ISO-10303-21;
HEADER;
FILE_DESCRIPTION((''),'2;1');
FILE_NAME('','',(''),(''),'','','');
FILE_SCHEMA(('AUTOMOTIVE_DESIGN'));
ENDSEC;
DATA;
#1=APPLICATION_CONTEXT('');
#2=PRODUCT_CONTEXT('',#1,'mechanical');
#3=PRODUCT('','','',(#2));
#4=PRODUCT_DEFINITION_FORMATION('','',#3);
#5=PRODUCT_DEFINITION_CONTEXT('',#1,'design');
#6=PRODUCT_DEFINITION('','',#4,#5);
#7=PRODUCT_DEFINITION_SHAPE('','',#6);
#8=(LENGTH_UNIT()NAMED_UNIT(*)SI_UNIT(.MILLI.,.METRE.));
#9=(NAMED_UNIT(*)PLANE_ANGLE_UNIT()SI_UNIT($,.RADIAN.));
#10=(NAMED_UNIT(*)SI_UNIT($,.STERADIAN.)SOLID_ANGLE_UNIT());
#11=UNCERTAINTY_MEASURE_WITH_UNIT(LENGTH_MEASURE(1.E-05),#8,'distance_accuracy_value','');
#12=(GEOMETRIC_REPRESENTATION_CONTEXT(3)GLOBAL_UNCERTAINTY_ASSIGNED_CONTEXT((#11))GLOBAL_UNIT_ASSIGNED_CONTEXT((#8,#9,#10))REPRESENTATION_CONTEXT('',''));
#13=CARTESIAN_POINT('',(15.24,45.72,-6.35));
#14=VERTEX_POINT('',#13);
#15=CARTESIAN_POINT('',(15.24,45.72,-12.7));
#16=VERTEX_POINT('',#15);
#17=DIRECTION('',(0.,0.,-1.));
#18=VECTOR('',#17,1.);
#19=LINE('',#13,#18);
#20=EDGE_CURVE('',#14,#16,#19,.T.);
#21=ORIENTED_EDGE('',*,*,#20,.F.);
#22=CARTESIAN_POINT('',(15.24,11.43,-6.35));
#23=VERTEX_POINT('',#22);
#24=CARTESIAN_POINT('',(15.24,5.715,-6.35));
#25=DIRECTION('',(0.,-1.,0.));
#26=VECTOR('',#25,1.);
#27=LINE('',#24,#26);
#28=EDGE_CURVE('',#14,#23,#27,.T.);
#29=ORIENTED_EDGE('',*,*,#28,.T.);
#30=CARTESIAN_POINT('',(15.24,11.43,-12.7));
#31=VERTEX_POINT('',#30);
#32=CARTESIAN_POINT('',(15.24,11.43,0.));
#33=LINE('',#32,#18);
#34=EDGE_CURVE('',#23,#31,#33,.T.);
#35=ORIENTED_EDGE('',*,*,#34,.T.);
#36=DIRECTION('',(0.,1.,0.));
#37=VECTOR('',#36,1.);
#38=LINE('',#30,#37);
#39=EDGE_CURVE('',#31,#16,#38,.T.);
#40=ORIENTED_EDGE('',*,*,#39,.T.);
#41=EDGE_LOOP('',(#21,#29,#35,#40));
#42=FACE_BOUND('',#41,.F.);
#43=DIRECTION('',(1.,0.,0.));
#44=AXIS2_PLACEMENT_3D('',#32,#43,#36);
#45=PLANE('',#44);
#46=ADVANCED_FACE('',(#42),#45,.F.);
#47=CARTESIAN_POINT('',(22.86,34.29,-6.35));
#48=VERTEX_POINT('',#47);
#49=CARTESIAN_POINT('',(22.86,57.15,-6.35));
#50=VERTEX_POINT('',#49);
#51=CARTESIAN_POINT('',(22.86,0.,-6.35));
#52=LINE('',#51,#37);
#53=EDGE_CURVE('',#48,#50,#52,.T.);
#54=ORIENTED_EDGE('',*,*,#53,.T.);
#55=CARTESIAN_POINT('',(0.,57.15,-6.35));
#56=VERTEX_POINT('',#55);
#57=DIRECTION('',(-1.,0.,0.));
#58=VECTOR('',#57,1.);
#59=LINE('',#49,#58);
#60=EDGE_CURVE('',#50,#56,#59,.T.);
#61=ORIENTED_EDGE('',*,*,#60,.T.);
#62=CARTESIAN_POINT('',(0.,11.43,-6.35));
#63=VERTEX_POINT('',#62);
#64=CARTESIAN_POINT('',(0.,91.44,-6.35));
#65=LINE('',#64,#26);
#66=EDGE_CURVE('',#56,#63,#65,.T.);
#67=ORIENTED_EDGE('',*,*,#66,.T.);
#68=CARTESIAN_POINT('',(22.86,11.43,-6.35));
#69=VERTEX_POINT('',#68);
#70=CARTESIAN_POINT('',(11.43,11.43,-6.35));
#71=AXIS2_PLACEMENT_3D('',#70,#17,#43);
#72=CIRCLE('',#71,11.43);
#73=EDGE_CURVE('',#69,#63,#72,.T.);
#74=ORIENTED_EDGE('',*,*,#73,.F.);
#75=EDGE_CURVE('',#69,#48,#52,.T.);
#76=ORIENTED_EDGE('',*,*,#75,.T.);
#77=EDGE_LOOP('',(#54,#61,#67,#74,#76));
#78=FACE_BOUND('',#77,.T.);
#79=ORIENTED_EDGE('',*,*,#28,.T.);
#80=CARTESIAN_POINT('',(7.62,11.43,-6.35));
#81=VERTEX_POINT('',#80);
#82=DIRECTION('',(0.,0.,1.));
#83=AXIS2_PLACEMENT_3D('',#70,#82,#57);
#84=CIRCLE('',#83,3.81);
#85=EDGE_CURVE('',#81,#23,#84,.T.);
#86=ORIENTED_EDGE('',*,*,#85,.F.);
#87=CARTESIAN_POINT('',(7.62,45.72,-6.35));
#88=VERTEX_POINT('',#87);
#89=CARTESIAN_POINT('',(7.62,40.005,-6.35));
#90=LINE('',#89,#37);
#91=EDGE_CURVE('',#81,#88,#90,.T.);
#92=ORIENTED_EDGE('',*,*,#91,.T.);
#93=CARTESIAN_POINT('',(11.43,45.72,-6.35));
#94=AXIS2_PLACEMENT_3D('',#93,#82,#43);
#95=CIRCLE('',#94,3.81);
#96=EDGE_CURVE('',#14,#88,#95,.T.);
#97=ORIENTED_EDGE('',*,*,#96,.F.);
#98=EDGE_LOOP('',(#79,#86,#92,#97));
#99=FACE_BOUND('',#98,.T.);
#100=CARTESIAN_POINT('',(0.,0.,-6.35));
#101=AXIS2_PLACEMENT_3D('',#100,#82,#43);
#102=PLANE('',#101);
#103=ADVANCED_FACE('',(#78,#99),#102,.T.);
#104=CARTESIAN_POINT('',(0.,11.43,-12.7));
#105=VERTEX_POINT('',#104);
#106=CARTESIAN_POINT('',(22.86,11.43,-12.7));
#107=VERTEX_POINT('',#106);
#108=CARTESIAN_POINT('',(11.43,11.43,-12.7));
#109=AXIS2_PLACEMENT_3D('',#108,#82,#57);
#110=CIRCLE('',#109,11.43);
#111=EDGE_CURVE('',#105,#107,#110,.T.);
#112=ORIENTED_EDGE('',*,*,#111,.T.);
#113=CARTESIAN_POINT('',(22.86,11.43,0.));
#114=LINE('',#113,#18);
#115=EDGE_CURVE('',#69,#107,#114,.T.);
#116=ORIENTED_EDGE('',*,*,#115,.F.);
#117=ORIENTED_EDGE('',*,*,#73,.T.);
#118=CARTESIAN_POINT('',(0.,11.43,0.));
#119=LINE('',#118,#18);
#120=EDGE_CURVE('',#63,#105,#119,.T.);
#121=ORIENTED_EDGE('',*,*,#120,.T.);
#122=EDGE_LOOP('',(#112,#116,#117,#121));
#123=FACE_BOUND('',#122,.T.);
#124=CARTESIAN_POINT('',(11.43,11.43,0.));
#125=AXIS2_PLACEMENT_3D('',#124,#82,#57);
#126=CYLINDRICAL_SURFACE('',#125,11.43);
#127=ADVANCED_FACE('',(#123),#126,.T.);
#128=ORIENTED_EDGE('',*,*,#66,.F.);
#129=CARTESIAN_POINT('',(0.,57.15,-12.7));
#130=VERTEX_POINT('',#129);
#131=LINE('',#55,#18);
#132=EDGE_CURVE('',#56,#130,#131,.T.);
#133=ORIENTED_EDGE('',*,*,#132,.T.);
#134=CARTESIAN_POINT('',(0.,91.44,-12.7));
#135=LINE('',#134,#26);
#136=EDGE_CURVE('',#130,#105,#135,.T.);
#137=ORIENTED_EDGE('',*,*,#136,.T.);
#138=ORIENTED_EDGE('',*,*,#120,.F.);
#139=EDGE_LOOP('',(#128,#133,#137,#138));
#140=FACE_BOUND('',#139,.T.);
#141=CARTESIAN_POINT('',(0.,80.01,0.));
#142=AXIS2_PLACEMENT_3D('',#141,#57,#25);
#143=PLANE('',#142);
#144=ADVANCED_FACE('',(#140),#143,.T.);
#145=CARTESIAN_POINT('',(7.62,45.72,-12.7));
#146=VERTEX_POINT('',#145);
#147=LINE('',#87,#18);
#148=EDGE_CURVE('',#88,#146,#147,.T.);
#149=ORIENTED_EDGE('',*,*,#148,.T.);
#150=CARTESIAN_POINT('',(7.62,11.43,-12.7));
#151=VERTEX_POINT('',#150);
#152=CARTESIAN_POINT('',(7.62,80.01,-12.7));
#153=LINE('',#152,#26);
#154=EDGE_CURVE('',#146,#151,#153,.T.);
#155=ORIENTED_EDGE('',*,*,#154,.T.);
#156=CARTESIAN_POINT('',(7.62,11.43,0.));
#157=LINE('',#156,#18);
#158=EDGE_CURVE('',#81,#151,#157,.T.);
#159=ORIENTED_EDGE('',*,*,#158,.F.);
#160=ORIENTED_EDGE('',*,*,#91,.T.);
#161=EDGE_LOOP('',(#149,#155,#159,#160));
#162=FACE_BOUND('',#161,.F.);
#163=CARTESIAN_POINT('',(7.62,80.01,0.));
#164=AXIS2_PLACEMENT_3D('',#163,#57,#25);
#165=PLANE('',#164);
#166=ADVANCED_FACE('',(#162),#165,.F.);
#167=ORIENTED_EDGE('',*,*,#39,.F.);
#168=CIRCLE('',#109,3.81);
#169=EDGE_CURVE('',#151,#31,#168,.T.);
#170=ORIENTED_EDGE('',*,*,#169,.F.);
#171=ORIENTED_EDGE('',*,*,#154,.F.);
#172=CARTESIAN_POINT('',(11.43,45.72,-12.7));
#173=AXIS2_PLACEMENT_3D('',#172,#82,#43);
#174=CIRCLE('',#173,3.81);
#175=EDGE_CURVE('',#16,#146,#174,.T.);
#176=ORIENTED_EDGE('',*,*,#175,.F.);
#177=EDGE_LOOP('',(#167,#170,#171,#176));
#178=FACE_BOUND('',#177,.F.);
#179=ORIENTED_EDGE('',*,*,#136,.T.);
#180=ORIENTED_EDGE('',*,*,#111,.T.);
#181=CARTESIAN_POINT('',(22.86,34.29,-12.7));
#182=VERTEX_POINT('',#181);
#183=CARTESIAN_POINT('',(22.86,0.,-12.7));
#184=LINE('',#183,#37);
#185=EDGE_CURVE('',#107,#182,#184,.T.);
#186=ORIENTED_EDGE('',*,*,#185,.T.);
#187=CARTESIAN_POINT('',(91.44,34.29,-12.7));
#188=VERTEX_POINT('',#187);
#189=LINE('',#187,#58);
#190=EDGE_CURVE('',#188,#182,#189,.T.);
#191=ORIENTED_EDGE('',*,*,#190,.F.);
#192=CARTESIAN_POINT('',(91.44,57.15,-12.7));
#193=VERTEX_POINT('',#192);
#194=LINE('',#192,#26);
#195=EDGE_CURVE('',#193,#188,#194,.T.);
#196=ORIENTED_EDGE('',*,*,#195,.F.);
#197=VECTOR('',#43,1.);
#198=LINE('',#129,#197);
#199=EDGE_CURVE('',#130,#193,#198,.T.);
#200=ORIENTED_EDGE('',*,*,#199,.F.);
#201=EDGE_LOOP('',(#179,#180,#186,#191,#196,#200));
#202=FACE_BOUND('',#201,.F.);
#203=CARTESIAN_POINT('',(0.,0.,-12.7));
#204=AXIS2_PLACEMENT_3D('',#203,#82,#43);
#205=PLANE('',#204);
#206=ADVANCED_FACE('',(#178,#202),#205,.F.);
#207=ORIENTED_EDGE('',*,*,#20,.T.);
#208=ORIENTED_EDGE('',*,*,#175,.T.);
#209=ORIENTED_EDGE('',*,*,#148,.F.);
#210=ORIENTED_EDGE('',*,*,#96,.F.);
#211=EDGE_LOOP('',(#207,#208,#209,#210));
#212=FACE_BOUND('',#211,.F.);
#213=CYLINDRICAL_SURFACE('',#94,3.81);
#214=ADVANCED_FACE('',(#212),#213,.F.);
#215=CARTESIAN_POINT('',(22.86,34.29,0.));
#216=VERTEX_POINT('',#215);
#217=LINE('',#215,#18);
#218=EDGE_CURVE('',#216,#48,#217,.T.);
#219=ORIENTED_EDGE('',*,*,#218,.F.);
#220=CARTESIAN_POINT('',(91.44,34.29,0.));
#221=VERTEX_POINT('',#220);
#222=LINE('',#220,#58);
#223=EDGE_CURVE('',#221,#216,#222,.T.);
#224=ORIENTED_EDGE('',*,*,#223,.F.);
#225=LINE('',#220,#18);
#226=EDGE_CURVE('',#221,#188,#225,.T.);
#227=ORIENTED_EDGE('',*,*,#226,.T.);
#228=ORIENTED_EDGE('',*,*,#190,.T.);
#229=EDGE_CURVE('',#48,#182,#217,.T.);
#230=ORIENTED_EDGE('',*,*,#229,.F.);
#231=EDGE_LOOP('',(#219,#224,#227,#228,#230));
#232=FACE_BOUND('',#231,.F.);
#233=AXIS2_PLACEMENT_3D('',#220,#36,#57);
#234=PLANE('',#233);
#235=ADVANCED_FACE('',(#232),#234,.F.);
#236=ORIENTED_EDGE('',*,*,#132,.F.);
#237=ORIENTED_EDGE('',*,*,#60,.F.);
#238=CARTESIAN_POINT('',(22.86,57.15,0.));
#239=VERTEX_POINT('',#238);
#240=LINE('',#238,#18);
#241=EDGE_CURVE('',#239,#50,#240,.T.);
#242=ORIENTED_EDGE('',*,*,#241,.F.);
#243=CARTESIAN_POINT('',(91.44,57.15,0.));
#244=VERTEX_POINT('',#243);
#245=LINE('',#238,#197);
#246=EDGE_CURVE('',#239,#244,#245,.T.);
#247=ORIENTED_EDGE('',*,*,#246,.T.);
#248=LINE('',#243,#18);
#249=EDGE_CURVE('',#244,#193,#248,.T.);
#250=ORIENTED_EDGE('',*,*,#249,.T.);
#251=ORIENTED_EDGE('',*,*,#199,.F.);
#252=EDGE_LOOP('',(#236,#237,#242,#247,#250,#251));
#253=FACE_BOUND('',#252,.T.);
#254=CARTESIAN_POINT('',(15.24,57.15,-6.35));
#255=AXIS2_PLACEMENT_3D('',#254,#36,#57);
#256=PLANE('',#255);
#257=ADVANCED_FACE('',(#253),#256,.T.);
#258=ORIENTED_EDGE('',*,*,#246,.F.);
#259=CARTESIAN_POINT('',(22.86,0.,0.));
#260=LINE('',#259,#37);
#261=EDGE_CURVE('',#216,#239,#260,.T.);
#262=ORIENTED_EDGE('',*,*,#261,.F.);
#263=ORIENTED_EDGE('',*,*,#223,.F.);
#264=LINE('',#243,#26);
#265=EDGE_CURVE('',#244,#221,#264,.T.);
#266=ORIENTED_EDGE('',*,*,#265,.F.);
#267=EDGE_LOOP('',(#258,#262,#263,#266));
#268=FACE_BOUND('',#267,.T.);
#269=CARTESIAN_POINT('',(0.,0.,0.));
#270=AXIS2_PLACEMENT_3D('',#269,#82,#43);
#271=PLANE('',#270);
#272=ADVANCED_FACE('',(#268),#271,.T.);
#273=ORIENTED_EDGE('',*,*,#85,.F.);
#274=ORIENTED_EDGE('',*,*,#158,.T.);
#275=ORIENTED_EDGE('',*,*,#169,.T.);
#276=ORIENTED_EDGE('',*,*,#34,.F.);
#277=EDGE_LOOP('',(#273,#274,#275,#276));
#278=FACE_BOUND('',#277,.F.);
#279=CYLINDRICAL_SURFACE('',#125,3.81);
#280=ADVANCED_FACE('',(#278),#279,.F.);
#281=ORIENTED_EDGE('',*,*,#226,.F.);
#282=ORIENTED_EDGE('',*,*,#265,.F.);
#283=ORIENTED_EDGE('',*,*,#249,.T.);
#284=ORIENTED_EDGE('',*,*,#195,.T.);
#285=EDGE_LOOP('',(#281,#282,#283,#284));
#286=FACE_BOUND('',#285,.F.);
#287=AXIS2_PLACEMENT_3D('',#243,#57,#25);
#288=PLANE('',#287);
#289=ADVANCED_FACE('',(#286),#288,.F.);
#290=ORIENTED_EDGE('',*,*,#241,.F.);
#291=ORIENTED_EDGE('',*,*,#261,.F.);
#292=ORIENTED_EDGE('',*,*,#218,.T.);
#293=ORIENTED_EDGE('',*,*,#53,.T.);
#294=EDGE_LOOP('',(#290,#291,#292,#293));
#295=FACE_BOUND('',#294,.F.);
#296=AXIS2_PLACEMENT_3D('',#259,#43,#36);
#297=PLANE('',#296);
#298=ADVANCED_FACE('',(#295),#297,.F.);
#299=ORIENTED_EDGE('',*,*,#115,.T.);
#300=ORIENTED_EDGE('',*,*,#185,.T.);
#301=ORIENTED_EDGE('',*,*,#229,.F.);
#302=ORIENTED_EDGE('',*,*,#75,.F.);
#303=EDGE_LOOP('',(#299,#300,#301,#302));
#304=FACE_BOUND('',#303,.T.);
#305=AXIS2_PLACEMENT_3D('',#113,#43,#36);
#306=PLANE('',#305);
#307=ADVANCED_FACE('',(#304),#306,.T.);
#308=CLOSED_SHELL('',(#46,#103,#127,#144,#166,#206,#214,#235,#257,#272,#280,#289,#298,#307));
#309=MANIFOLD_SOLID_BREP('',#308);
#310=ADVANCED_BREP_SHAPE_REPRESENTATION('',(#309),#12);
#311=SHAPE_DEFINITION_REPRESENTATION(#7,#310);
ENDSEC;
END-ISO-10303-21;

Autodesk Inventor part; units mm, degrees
ref_plane "YZ Plane" through (0, 0, 0) normal (1, 0, 0) x (0, 1, 0)
ref_plane "XZ Plane" through (0, 0, 0) normal (0, 1, 0) x (-1, 0, 0)
ref_plane "XY Plane" through (0, 0, 0) normal (0, 0, 1) x (1, 0, 0)
sketch "Sketch3" plane through (0, 0, 0) normal (0, 0, 1) x (1, 0, 0)
  line L0 (0, 0) -> (22.86, 0)
  line L1 (22.86, 0) -> (22.86, 91.44)
  line L2 (22.86, 91.44) -> (0, 91.44)
  line L3 (0, 91.44) -> (0, 0)
  line L4 (22.86, 57.15) -> (91.44, 57.15)
  line L5 (91.44, 57.15) -> (91.44, 34.29)
  line L6 (91.44, 34.29) -> (22.86, 34.29)
  line L7 (22.86, 34.29) -> (22.86, 57.15)
  line L8 (11.43, 80.01) -> (11.43, 11.43) construction
  line L9 (7.62, 80.01) -> (7.62, 11.43)
  line L10 (15.24, 11.43) -> (15.24, 80.01)
  arc A0 (15.24, 80.01) -> (7.62, 80.01) centre (11.43, 80.01) ccw
  arc A1 (7.62, 11.43) -> (15.24, 11.43) centre (11.43, 11.43) ccw
  arc A2 (22.86, 80.01) -> (0, 80.01) centre (11.43, 80.01) ccw
  arc A3 (0, 11.43) -> (22.86, 11.43) centre (11.43, 11.43) ccw
  point P0 (11.43, 45.72)
  point P1 (22.86, 34.29)
  dimension "d15" = 22.86
  dimension "d16" = 91.44
  dimension "d17" = 68.58
  dimension "d18" = 22.86
  dimension "d19" = 34.29
  dimension "d22" = 68.58
  dimension "d23" = 7.62
  dimension "d24" = 11.43
  dimension "d25" = 11.43
extrude "Extrusion3" add sketch "Sketch3" against normal blind 12.7 contours A3 L3 A2 L1 | L1 L4 L5 L6
sketch "Sketch5" plane through (0, 0, 0) normal (0, 0, 1) x (1, 0, 0)
  line L0 (0, 0) -> (22.86, 0)
  line L1 (22.86, 0) -> (22.86, 91.44)
  line L2 (22.86, 91.44) -> (0, 91.44)
  line L3 (0, 91.44) -> (0, 0)
  arc A0 (22.86, 80.01) -> (0, 80.01) centre (11.43, 80.01) ccw projected
  line L4 (22.86, 57.15) -> (22.86, 80.01) projected
  dimension "d30" = 0
extrude "Extrusion5" cut sketch "Sketch5" against normal blind 6.35 contours L3 A0 L1 L0
sketch "Sketch7" plane through (0, 0, -6.35) normal (0, 0, 1) x (1, 0, 0)
  line L0 (91.44, 57.15) -> (22.86, 57.15) projected
  line L1 (22.86, 57.15) -> (0, 57.15)
  line L2 (0, 57.15) -> (0, 91.44)
  line L3 (0, 91.44) -> (22.86, 91.44)
  line L4 (22.86, 91.44) -> (22.86, 57.15)
  line L5 (0, 11.43) -> (0, 80.01) projected
  arc A0 (22.86, 80.01) -> (0, 80.01) centre (11.43, 80.01) ccw projected
  point P0 (0, 0)
  dimension "d36" = 0
extrude "Extrusion6" cut sketch "Sketch7" against normal blind 88.9 contours L1 L2 A0 L4
sketch "Sketch8" plane through (0, 0, -6.35) normal (0, 0, 1) x (1, 0, 0)
  line L0 (22.86, 57.15) -> (0, 57.15)
  line L1 (0, 57.15) -> (0, 41.91)
  line L2 (22.86, 41.91) -> (22.86, 57.15)
  line L3 (0, 11.43) -> (0, 57.15) projected
  line L4 (15.24, 11.43) -> (15.24, 57.15) projected
  arc A0 (15.24, 45.72) -> (7.62, 45.72) centre (11.43, 45.72) ccw
  line L5 (7.62, 57.15) -> (7.62, 11.43) projected
  line L6 (0, 41.91) -> (7.62, 41.91)
  line L7 (15.24, 41.91) -> (22.86, 41.91)
  line L8 (15.24, 45.72) -> (15.24, 41.91)
  line L9 (15.24, 11.43) -> (15.24, 57.15) projected
  line L10 (7.62, 45.72) -> (7.62, 41.91)
  point P0 (0, 0)
  point P1 (11.43, 57.15)
  dimension "d40" = 0
  dimension "d42" = 7.62
  dimension "d43" = 15.24
extrude "Extrusion7" add sketch "Sketch8" against normal blind 6.35 contours L4 A0 L5 L0
properties part number "Slider"
